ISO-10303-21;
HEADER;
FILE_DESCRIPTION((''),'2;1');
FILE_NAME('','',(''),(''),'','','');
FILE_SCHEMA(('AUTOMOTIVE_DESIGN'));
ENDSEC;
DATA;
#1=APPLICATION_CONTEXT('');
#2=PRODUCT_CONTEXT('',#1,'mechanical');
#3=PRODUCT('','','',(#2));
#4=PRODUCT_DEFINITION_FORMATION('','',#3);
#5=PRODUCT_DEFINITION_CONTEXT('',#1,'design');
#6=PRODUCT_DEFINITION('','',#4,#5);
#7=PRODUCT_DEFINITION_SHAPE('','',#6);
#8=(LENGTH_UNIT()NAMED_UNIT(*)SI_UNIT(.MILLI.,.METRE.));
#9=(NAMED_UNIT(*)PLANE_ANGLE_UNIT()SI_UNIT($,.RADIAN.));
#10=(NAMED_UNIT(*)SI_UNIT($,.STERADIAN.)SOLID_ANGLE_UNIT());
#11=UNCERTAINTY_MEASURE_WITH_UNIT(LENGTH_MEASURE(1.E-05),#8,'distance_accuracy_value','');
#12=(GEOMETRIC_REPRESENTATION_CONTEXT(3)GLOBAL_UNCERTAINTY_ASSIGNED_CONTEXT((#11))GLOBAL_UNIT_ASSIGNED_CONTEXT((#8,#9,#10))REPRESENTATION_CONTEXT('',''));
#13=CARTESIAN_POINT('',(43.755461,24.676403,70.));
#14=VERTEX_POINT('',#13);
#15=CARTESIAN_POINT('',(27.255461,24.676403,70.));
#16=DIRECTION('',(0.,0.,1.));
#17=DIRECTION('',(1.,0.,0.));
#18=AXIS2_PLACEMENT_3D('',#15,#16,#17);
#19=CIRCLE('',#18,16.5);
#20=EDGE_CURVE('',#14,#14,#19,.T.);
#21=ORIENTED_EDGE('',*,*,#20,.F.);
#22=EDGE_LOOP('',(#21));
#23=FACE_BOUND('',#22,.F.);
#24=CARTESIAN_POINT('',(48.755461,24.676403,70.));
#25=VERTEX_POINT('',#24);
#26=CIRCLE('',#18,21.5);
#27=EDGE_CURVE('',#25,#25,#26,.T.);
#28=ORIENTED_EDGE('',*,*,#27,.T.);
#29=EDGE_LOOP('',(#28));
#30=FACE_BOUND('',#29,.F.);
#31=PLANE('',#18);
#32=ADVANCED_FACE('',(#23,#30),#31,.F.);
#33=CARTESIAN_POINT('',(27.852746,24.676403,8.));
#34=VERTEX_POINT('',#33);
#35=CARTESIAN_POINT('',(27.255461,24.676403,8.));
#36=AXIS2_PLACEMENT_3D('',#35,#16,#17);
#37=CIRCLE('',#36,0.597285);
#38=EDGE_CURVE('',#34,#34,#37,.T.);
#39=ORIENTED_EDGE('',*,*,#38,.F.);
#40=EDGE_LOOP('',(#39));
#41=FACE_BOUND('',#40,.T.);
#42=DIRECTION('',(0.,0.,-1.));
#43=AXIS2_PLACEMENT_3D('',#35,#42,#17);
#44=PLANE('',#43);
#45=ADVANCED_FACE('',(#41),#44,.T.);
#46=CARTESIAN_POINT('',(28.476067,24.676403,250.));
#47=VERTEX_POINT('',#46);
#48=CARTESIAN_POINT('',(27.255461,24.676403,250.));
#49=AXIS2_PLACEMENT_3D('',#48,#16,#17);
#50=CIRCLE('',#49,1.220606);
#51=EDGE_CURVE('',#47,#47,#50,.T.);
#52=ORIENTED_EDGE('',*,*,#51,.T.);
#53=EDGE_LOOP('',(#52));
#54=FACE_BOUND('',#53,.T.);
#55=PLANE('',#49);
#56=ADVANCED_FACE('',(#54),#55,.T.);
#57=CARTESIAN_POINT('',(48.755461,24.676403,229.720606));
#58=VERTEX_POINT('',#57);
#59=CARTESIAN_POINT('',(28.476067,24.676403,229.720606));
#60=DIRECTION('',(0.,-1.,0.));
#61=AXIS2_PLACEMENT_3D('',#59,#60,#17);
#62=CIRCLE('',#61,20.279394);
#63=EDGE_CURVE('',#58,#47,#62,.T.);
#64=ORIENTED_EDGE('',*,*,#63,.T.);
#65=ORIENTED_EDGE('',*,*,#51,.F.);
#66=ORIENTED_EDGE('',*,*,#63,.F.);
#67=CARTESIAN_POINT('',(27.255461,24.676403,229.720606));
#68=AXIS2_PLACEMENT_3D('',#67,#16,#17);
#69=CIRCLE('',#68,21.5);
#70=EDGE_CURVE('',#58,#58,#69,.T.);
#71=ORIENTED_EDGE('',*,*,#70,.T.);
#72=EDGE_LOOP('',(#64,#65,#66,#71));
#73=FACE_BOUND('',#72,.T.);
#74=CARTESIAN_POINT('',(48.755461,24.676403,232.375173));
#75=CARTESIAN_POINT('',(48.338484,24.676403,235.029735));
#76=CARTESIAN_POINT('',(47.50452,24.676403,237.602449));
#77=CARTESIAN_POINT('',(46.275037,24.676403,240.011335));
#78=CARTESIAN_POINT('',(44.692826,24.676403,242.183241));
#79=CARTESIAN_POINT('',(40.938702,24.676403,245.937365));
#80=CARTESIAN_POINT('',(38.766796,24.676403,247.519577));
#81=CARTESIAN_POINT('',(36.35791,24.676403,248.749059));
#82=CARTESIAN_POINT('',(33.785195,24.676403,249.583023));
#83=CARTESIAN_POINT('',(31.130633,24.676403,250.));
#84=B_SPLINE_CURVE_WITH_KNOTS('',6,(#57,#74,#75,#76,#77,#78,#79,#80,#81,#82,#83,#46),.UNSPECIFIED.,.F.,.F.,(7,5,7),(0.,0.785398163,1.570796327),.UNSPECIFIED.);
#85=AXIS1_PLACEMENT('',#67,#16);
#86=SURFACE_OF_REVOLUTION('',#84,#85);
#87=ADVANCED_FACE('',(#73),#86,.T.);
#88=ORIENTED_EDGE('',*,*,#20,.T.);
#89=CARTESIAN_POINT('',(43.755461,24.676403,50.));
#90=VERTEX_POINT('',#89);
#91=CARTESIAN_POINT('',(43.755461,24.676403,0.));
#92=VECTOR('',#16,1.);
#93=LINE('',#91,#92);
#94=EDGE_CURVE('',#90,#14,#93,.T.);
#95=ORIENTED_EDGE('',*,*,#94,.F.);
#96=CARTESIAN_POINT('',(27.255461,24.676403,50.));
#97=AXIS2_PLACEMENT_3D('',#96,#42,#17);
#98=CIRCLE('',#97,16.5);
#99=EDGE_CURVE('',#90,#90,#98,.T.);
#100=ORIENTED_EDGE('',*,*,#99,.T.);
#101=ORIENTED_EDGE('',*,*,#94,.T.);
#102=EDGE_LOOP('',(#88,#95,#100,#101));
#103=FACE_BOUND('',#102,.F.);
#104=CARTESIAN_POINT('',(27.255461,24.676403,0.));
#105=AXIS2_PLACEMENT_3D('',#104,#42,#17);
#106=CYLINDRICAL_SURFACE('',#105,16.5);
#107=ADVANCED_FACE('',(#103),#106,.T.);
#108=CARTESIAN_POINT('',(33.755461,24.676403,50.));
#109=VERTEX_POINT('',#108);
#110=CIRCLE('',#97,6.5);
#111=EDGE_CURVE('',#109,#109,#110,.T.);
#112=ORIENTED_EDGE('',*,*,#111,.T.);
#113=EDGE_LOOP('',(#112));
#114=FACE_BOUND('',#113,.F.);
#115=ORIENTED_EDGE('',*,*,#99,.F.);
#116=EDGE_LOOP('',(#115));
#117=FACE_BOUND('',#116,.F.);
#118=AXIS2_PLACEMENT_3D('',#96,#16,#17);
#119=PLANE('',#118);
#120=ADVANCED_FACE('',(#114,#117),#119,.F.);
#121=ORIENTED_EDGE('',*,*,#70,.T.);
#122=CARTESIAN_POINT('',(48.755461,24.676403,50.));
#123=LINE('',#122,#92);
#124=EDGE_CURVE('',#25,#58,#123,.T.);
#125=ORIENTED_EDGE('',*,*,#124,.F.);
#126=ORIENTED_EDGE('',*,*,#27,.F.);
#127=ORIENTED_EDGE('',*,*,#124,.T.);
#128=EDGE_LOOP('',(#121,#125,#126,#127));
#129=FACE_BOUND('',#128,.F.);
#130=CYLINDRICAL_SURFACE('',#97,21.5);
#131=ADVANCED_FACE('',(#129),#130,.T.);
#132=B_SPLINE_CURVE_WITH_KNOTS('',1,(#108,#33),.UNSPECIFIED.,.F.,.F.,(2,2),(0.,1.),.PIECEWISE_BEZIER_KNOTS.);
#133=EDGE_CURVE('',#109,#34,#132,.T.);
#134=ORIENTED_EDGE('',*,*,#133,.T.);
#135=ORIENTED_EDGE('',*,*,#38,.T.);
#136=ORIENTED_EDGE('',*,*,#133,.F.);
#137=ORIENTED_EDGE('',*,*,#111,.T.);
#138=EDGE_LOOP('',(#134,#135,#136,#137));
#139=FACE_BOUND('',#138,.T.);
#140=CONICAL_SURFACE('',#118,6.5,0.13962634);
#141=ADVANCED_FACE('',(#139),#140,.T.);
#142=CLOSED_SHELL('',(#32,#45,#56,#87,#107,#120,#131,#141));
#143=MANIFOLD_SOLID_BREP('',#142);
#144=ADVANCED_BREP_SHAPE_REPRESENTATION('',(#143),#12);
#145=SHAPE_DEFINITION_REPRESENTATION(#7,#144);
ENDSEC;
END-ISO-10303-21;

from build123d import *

# Parameters (mm, degrees)
F1_START = 50
F0_R     = 21.5
F0_R_2   = 16.5
F1_DEPTH = 200
F2_DEPTH = 70
F3_R     = 6.5
F4_DEPTH = 42
F4_TAPER = 8
F5_R     = 20.2793939239


with BuildPart() as f1:
    # F0 (on Top) → F1 (new body)
    with BuildSketch(Plane.XY.offset(F1_START)):
        with Locations((27.2554606199, 24.6764030308)):
            Circle(F0_R)
        with Locations((27.2554606199, 24.6764030308)):
            Circle(F0_R_2, mode=Mode.SUBTRACT)
        with Locations((27.2554606199, 24.6764030308)):
            Circle(F0_R_2)
    extrude(amount=F1_DEPTH)

    # F0 (on Top) → F2 (cut)
    with BuildSketch(Plane.XY):
        with Locations((27.2554606199, 24.6764030308)):
            Circle(F0_R)
        with Locations((27.2554606199, 24.6764030308)):
            Circle(F0_R_2, mode=Mode.SUBTRACT)
    extrude(amount=F2_DEPTH, mode=Mode.SUBTRACT)

    # F3 (on face) → F4 (join)
    with BuildSketch(Plane(origin=(0, 0, 50), x_dir=(1, 0, 0), z_dir=(0, 0, -1))):
        with Locations((27.2554606199, -24.6764030308)):
            Circle(F3_R)
    extrude(amount=F4_DEPTH, taper=F4_TAPER)

    # F5
    f5_edges = [f1.edges().sort_by_distance(p)[0] for p in [
        (5.755461, 24.676403, 250),
    ]]
    fillet(f5_edges, radius=F5_R)


solid = f1.part
